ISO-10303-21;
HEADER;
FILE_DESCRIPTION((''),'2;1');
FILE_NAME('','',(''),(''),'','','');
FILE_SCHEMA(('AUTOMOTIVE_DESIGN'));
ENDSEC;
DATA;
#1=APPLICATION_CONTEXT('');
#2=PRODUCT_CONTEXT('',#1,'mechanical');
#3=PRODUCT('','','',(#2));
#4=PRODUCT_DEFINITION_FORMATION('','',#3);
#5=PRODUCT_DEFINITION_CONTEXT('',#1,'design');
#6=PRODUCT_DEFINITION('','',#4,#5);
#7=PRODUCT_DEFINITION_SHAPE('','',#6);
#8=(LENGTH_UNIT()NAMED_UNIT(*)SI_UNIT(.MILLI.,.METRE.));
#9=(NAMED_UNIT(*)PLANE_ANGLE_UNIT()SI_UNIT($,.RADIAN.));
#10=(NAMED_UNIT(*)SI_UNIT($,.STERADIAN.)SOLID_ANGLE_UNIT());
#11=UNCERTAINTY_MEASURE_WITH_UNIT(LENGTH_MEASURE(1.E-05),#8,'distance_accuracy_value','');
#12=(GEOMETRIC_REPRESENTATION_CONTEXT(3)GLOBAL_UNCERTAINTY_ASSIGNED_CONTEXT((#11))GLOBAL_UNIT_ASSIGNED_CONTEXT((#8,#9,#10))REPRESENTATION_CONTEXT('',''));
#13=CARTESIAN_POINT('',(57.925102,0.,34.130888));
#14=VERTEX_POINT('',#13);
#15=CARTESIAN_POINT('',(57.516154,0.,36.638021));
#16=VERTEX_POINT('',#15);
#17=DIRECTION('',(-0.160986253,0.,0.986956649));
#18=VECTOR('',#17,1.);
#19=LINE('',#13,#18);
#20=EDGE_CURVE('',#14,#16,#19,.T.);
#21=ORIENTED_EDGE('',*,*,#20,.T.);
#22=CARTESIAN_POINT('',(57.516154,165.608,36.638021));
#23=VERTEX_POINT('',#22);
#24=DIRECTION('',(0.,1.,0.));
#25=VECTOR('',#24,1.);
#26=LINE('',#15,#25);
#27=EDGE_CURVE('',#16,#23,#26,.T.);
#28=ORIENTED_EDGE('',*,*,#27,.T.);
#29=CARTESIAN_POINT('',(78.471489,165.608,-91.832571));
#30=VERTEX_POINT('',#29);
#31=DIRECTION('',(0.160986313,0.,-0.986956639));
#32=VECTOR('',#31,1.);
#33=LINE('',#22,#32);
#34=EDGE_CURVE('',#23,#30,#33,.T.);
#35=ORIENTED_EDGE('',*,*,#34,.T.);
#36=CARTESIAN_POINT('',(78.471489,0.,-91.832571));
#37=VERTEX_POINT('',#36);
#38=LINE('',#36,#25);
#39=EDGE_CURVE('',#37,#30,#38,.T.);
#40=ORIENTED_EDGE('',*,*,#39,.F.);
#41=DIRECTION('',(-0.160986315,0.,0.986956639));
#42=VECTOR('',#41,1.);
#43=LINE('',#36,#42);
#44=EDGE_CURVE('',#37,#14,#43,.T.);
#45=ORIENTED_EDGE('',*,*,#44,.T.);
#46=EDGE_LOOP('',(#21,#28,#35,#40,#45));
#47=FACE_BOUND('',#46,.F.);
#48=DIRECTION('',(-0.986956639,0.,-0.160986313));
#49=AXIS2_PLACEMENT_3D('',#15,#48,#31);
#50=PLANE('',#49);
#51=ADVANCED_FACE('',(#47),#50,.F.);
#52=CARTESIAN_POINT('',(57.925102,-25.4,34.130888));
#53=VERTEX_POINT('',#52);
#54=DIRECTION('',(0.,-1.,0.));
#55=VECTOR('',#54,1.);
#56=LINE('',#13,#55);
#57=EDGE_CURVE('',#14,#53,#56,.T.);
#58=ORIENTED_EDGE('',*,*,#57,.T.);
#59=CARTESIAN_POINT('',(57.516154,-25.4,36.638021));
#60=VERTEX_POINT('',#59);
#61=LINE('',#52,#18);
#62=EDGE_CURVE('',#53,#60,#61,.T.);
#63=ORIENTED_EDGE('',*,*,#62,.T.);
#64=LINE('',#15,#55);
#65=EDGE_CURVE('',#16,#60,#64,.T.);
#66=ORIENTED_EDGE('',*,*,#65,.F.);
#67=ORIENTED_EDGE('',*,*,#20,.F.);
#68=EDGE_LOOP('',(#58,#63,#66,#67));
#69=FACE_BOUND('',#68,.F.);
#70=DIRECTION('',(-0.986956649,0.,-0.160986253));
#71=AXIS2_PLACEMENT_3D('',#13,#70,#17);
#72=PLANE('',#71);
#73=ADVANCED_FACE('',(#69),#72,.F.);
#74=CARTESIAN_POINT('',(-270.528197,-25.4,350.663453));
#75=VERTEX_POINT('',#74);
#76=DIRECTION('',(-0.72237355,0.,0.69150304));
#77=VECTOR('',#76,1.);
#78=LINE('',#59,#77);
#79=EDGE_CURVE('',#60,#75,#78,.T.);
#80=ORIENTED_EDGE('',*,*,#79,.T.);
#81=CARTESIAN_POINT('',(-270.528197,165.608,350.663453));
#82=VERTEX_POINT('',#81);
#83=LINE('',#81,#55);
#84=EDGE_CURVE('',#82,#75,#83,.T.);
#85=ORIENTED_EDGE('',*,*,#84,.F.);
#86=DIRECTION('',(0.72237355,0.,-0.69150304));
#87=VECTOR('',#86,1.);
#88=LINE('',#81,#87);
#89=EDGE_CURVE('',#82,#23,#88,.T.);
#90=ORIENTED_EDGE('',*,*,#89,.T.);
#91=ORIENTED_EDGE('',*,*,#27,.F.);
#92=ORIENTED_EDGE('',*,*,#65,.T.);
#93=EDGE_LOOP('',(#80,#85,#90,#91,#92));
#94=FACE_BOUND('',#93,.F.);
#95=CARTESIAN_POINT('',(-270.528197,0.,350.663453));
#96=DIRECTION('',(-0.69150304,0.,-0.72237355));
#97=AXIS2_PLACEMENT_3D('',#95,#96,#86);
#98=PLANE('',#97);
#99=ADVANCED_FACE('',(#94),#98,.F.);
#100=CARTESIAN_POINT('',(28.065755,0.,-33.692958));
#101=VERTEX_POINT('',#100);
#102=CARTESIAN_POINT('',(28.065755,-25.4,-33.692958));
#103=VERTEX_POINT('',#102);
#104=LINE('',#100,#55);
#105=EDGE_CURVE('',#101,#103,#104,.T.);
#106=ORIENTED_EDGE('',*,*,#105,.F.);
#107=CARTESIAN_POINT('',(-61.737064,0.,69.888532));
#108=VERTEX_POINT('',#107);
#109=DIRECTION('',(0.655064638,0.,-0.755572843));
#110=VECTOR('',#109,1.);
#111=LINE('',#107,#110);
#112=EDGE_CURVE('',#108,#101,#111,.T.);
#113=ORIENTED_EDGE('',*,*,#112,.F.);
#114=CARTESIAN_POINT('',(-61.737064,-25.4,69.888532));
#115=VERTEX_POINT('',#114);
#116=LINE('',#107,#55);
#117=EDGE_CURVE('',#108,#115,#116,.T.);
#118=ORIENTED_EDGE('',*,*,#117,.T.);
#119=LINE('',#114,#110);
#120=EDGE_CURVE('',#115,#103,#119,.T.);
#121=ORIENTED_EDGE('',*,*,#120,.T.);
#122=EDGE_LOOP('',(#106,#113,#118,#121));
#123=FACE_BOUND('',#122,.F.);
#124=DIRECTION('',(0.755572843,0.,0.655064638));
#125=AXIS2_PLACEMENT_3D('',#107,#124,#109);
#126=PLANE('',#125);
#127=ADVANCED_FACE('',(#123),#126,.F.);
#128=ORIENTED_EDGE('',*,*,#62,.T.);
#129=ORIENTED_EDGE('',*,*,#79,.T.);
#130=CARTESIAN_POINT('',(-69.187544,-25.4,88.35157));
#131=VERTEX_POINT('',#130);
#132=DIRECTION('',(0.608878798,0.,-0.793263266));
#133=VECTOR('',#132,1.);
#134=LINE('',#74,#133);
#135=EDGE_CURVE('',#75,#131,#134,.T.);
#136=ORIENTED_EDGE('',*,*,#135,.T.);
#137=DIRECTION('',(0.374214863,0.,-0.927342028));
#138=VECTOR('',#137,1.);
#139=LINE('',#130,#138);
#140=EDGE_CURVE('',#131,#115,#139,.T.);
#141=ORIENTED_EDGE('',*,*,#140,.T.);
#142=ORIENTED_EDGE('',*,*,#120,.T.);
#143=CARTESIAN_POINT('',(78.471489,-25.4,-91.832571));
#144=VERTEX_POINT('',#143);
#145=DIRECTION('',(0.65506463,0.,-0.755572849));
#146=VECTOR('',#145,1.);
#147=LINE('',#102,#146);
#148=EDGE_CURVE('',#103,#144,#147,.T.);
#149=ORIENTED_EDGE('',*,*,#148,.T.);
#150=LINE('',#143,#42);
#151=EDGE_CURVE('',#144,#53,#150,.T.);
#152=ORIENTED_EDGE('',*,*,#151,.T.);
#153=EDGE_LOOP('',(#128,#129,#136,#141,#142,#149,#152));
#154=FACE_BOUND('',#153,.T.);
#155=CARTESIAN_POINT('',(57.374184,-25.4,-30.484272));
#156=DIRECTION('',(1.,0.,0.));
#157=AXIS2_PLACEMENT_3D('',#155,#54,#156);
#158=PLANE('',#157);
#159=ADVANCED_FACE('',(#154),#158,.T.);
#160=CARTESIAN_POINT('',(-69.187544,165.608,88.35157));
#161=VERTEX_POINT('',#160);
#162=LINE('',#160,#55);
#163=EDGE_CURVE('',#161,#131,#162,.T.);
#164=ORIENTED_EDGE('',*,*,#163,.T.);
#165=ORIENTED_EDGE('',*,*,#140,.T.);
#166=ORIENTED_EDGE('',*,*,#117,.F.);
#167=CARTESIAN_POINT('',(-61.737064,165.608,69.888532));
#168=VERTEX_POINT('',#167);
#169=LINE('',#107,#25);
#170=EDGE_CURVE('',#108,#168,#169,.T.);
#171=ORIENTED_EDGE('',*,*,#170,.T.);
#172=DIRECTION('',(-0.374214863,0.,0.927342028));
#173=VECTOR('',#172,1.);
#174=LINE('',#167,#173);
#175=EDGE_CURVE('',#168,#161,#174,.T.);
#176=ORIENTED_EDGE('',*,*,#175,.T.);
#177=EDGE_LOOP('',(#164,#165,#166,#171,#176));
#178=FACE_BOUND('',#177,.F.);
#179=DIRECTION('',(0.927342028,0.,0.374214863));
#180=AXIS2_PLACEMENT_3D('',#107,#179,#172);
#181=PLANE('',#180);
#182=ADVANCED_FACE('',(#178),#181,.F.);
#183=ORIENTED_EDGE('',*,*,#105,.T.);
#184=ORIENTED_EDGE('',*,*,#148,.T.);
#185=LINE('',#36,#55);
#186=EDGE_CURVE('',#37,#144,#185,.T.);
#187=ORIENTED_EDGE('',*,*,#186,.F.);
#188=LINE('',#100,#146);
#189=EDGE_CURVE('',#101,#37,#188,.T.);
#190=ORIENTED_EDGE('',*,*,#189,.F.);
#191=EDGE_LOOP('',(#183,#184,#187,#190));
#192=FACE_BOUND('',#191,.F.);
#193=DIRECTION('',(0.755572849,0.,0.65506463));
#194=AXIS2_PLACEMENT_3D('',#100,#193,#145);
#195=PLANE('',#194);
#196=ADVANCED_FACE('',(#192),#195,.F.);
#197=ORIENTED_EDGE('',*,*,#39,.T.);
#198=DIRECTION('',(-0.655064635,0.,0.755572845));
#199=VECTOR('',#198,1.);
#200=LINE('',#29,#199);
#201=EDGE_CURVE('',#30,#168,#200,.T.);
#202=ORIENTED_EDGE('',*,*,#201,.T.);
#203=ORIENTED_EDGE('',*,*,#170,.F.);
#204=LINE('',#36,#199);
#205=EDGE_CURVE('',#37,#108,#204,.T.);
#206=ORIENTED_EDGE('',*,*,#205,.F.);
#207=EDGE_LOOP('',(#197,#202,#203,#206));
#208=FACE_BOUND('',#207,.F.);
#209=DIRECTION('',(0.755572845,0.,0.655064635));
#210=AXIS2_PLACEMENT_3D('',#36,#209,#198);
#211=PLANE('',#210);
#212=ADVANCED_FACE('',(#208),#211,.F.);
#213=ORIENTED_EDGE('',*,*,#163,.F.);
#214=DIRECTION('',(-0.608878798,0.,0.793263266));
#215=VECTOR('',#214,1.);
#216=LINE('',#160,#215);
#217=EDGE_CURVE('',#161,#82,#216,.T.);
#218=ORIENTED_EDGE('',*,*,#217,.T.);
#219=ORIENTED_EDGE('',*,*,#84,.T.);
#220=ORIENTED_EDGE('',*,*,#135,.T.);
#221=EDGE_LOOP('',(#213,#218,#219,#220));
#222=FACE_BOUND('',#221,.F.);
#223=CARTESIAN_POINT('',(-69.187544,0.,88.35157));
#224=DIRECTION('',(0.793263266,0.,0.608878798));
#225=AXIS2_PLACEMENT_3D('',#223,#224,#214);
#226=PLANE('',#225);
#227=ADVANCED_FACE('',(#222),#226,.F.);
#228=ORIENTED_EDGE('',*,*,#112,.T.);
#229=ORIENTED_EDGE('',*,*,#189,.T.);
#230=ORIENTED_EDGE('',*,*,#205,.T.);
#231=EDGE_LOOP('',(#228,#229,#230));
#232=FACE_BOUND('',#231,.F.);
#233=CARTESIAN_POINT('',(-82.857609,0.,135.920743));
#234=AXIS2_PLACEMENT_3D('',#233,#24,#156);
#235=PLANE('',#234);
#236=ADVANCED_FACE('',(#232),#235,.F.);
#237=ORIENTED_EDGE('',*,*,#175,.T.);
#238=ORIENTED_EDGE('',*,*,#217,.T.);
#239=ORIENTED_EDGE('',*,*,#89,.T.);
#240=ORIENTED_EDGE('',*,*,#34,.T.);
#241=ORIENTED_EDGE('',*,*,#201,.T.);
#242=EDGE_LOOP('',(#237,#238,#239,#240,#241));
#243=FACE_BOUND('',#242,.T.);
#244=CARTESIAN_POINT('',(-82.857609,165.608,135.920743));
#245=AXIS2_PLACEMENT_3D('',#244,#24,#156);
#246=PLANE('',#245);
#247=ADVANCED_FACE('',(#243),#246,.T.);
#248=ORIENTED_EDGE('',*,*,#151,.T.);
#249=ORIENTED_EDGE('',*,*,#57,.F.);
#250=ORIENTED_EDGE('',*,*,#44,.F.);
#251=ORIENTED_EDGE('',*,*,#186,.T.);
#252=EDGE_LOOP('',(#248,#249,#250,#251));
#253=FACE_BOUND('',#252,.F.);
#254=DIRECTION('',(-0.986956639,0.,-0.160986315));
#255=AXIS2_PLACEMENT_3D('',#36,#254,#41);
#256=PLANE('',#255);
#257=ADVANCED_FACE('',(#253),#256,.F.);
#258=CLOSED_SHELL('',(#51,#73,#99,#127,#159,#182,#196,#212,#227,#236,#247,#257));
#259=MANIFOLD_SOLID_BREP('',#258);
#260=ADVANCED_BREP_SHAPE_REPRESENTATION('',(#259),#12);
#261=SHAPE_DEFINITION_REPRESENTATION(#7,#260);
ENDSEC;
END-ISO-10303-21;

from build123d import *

# Parameters (mm, degrees)
F1_DEPTH = 25.4
F2_DEPTH = 165.608


with BuildPart() as f1:
    # F0 (on Front) → F1 (new body)
    with BuildSketch(Plane.XZ):
        Polygon((28.065755, -33.692958), (78.471489, -91.832571), (57.925102, 34.130888), align=None)
        Polygon((-61.737064, 69.888532), (28.065755, -33.692958), (57.925102, 34.130888), (57.516154, 36.638021), align=None)
        Polygon((-69.187544, 88.35157), (-61.737064, 69.888532), (57.516154, 36.638021), (-270.528197, 350.663453), align=None)
    extrude(amount=F1_DEPTH)

    # F1_face (on face) → F2 (join)
    with BuildSketch(Plane(origin=(-46.516677, 0, 96.881853), x_dir=(1, 0, 0), z_dir=(0, 1, 0))):
        Polygon((104.032831, 60.243832), (124.988166, 188.714424), (-15.220387, 26.993321), (-22.670867, 8.530283), (-224.01152, -253.7816), align=None)
    extrude(amount=F2_DEPTH)


solid = f1.part
